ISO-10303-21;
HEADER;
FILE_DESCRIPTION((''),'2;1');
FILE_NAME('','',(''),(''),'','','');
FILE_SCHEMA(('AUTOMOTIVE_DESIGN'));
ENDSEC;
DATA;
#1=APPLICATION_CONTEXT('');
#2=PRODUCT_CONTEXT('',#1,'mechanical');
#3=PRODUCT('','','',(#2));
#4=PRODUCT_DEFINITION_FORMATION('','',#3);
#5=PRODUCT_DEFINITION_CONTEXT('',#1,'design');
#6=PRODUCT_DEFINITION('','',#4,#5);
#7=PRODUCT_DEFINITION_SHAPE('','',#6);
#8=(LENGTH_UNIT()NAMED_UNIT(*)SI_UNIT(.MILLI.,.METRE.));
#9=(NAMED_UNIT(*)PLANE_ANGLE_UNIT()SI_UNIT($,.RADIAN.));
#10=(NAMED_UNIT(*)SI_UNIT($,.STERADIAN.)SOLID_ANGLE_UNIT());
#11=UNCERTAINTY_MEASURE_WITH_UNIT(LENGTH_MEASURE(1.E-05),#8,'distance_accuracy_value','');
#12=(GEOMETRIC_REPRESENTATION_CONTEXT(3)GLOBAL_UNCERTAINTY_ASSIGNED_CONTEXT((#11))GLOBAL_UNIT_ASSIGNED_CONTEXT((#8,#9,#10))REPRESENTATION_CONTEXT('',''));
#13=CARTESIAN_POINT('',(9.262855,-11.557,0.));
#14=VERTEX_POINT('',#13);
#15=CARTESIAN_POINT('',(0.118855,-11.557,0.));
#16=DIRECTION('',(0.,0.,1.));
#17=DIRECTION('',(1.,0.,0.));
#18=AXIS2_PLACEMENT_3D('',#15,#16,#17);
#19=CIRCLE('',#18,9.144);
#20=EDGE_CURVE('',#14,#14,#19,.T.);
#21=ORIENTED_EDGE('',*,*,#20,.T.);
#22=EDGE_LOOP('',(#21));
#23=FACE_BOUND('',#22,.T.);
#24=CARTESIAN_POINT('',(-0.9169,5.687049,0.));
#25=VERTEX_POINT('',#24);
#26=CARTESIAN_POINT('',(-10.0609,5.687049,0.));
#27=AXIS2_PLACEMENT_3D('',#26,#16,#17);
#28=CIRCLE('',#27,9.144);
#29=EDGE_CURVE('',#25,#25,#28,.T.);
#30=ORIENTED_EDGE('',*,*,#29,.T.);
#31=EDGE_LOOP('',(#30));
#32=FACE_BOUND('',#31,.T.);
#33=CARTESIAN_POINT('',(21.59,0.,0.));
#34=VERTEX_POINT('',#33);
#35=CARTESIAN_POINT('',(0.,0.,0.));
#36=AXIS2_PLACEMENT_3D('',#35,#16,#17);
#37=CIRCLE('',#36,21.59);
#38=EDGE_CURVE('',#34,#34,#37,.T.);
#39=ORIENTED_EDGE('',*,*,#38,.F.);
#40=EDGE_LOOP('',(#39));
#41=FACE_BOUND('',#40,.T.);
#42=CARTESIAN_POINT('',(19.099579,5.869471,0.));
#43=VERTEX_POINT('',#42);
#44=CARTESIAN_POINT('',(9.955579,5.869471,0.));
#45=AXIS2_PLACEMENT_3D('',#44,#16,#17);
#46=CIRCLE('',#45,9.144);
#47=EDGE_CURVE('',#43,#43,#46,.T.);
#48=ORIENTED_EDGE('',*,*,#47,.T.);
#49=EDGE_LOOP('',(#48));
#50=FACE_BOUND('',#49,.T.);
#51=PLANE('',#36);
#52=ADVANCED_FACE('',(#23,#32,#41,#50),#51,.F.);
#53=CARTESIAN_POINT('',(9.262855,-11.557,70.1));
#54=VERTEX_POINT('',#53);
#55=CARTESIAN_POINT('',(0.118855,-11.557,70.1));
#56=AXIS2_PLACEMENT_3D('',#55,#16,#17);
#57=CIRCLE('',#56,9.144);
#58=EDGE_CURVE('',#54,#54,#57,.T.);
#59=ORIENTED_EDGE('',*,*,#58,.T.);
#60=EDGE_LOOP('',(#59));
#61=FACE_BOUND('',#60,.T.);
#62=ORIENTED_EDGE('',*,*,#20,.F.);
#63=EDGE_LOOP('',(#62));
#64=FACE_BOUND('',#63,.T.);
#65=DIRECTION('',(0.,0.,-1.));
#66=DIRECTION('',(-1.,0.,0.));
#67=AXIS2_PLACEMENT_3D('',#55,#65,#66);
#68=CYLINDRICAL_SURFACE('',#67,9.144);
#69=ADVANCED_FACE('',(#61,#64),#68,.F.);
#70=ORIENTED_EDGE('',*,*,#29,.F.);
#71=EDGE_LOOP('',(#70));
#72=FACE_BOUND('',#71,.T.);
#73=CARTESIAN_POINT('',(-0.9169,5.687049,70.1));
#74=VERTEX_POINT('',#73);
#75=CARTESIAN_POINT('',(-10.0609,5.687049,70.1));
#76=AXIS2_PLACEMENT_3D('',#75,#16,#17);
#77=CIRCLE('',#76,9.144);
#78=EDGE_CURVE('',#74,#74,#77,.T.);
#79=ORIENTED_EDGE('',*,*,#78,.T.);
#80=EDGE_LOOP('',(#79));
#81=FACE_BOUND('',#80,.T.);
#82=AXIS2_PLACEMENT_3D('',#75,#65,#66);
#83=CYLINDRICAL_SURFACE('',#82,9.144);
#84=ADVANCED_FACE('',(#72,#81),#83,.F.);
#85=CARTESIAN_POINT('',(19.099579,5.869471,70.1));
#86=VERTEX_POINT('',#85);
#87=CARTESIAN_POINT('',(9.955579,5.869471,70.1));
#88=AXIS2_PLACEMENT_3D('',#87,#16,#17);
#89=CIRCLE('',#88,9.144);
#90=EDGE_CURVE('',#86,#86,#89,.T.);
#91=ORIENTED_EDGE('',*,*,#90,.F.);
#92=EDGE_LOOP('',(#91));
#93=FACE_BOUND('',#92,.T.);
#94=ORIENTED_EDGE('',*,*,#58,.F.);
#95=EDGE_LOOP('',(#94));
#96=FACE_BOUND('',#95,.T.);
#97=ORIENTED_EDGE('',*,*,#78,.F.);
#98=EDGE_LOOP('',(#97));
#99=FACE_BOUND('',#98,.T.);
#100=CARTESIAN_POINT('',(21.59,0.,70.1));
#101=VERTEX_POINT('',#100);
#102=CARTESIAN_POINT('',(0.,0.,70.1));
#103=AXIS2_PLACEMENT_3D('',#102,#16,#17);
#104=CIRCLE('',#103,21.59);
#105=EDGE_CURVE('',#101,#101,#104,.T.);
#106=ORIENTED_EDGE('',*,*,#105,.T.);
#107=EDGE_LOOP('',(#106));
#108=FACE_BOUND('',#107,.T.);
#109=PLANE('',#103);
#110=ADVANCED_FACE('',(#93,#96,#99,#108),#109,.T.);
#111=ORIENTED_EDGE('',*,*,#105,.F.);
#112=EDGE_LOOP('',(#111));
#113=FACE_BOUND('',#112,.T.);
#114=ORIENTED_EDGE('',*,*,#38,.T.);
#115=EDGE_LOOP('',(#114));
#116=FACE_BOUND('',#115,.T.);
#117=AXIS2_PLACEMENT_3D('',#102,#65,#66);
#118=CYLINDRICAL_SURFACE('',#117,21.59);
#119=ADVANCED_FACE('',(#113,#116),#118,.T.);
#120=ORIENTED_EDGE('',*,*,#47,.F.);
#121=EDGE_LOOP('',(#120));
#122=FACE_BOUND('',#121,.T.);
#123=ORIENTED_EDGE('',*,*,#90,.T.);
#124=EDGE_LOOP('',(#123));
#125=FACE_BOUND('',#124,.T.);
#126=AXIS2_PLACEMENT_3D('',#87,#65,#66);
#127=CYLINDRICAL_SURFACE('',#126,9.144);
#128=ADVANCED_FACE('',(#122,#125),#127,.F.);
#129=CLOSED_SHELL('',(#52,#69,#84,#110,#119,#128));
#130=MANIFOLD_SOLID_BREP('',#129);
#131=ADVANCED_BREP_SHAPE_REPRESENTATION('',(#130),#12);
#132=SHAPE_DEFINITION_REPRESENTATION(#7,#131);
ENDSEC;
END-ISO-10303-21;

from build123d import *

# Parameters (mm, degrees)
SKETCH1_R           = 21.59
SKETCH1_R_2         = 9.144
BOSS_EXTRUDE1_DEPTH = 70.1


with BuildPart() as part:
    # Sketch1 → Boss-Extrude1 (new body)
    with BuildSketch(Plane.XY):
        Circle(SKETCH1_R)
        with Locations((0.118855304, -11.557)):
            Circle(SKETCH1_R_2, mode=Mode.SUBTRACT)
        with Locations((9.955579479, 5.869470694)):
            Circle(SKETCH1_R_2, mode=Mode.SUBTRACT)
        with Locations((-10.060900468, 5.687049391)):
            Circle(SKETCH1_R_2, mode=Mode.SUBTRACT)
    extrude(amount=BOSS_EXTRUDE1_DEPTH)


solid = part.part
